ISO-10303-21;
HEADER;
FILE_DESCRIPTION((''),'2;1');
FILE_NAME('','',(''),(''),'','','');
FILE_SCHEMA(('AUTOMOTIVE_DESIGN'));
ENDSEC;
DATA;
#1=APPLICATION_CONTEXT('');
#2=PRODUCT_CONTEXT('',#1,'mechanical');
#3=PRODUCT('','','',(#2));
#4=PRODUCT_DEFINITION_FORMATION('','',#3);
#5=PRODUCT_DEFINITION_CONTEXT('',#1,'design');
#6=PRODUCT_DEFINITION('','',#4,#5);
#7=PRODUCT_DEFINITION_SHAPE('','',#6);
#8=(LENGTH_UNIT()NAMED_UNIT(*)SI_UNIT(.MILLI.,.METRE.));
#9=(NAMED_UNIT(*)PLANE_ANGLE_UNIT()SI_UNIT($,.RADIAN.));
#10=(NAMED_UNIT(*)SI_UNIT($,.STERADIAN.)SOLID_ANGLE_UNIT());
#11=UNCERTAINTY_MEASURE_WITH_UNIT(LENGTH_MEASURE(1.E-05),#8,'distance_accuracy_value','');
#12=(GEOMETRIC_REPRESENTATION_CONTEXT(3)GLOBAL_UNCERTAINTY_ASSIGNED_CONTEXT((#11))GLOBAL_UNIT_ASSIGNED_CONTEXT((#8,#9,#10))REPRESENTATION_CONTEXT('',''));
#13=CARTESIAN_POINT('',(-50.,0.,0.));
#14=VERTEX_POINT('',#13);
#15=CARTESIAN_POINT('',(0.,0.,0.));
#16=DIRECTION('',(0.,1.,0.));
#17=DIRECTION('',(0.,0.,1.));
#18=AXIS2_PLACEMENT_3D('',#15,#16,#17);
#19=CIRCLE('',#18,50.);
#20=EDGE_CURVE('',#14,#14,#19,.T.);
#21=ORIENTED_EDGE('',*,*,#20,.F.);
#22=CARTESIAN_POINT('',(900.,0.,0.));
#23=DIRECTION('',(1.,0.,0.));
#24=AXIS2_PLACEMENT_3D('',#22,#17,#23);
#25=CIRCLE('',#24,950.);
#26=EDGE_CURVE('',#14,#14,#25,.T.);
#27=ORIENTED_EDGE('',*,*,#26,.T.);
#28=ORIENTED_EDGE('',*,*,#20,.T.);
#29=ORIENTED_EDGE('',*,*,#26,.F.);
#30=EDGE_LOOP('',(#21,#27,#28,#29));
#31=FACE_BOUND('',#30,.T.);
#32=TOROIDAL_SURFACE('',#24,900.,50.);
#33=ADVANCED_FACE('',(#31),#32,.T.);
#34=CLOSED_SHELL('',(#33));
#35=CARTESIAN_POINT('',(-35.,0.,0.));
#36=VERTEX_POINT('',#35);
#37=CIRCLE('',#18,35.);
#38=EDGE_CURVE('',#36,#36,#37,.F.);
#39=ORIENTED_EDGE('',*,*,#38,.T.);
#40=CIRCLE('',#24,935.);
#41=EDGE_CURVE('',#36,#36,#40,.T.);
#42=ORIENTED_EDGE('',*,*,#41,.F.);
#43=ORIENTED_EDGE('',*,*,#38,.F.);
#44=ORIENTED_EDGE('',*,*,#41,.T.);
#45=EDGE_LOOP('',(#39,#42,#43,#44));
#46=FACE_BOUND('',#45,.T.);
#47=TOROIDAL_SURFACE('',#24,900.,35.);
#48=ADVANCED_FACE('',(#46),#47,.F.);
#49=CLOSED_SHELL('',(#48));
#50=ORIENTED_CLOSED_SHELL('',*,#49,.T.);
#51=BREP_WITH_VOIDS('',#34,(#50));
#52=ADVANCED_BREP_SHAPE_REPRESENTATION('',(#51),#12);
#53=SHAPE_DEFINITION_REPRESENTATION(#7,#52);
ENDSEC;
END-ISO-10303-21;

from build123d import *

# Parameters (mm, degrees)
SKETCH3_R   = 50
SKETCH3_R_2 = 35


with BuildPart() as part:
    # Sweep1: sweep along a path in Sketch2
    with BuildLine(Plane.XY) as sweep1_path:
        CenterArc((900, 0), 900, 0, 360)
    # Sketch3 → Sweep1 (sweep)
    with BuildSketch(Plane(origin=(0, 0, 0), x_dir=(1, 0, 0), z_dir=(0, 1, 0))):
        Circle(SKETCH3_R)
        Circle(SKETCH3_R_2, mode=Mode.SUBTRACT)
    sweep(path=sweep1_path.line)


solid = part.part
